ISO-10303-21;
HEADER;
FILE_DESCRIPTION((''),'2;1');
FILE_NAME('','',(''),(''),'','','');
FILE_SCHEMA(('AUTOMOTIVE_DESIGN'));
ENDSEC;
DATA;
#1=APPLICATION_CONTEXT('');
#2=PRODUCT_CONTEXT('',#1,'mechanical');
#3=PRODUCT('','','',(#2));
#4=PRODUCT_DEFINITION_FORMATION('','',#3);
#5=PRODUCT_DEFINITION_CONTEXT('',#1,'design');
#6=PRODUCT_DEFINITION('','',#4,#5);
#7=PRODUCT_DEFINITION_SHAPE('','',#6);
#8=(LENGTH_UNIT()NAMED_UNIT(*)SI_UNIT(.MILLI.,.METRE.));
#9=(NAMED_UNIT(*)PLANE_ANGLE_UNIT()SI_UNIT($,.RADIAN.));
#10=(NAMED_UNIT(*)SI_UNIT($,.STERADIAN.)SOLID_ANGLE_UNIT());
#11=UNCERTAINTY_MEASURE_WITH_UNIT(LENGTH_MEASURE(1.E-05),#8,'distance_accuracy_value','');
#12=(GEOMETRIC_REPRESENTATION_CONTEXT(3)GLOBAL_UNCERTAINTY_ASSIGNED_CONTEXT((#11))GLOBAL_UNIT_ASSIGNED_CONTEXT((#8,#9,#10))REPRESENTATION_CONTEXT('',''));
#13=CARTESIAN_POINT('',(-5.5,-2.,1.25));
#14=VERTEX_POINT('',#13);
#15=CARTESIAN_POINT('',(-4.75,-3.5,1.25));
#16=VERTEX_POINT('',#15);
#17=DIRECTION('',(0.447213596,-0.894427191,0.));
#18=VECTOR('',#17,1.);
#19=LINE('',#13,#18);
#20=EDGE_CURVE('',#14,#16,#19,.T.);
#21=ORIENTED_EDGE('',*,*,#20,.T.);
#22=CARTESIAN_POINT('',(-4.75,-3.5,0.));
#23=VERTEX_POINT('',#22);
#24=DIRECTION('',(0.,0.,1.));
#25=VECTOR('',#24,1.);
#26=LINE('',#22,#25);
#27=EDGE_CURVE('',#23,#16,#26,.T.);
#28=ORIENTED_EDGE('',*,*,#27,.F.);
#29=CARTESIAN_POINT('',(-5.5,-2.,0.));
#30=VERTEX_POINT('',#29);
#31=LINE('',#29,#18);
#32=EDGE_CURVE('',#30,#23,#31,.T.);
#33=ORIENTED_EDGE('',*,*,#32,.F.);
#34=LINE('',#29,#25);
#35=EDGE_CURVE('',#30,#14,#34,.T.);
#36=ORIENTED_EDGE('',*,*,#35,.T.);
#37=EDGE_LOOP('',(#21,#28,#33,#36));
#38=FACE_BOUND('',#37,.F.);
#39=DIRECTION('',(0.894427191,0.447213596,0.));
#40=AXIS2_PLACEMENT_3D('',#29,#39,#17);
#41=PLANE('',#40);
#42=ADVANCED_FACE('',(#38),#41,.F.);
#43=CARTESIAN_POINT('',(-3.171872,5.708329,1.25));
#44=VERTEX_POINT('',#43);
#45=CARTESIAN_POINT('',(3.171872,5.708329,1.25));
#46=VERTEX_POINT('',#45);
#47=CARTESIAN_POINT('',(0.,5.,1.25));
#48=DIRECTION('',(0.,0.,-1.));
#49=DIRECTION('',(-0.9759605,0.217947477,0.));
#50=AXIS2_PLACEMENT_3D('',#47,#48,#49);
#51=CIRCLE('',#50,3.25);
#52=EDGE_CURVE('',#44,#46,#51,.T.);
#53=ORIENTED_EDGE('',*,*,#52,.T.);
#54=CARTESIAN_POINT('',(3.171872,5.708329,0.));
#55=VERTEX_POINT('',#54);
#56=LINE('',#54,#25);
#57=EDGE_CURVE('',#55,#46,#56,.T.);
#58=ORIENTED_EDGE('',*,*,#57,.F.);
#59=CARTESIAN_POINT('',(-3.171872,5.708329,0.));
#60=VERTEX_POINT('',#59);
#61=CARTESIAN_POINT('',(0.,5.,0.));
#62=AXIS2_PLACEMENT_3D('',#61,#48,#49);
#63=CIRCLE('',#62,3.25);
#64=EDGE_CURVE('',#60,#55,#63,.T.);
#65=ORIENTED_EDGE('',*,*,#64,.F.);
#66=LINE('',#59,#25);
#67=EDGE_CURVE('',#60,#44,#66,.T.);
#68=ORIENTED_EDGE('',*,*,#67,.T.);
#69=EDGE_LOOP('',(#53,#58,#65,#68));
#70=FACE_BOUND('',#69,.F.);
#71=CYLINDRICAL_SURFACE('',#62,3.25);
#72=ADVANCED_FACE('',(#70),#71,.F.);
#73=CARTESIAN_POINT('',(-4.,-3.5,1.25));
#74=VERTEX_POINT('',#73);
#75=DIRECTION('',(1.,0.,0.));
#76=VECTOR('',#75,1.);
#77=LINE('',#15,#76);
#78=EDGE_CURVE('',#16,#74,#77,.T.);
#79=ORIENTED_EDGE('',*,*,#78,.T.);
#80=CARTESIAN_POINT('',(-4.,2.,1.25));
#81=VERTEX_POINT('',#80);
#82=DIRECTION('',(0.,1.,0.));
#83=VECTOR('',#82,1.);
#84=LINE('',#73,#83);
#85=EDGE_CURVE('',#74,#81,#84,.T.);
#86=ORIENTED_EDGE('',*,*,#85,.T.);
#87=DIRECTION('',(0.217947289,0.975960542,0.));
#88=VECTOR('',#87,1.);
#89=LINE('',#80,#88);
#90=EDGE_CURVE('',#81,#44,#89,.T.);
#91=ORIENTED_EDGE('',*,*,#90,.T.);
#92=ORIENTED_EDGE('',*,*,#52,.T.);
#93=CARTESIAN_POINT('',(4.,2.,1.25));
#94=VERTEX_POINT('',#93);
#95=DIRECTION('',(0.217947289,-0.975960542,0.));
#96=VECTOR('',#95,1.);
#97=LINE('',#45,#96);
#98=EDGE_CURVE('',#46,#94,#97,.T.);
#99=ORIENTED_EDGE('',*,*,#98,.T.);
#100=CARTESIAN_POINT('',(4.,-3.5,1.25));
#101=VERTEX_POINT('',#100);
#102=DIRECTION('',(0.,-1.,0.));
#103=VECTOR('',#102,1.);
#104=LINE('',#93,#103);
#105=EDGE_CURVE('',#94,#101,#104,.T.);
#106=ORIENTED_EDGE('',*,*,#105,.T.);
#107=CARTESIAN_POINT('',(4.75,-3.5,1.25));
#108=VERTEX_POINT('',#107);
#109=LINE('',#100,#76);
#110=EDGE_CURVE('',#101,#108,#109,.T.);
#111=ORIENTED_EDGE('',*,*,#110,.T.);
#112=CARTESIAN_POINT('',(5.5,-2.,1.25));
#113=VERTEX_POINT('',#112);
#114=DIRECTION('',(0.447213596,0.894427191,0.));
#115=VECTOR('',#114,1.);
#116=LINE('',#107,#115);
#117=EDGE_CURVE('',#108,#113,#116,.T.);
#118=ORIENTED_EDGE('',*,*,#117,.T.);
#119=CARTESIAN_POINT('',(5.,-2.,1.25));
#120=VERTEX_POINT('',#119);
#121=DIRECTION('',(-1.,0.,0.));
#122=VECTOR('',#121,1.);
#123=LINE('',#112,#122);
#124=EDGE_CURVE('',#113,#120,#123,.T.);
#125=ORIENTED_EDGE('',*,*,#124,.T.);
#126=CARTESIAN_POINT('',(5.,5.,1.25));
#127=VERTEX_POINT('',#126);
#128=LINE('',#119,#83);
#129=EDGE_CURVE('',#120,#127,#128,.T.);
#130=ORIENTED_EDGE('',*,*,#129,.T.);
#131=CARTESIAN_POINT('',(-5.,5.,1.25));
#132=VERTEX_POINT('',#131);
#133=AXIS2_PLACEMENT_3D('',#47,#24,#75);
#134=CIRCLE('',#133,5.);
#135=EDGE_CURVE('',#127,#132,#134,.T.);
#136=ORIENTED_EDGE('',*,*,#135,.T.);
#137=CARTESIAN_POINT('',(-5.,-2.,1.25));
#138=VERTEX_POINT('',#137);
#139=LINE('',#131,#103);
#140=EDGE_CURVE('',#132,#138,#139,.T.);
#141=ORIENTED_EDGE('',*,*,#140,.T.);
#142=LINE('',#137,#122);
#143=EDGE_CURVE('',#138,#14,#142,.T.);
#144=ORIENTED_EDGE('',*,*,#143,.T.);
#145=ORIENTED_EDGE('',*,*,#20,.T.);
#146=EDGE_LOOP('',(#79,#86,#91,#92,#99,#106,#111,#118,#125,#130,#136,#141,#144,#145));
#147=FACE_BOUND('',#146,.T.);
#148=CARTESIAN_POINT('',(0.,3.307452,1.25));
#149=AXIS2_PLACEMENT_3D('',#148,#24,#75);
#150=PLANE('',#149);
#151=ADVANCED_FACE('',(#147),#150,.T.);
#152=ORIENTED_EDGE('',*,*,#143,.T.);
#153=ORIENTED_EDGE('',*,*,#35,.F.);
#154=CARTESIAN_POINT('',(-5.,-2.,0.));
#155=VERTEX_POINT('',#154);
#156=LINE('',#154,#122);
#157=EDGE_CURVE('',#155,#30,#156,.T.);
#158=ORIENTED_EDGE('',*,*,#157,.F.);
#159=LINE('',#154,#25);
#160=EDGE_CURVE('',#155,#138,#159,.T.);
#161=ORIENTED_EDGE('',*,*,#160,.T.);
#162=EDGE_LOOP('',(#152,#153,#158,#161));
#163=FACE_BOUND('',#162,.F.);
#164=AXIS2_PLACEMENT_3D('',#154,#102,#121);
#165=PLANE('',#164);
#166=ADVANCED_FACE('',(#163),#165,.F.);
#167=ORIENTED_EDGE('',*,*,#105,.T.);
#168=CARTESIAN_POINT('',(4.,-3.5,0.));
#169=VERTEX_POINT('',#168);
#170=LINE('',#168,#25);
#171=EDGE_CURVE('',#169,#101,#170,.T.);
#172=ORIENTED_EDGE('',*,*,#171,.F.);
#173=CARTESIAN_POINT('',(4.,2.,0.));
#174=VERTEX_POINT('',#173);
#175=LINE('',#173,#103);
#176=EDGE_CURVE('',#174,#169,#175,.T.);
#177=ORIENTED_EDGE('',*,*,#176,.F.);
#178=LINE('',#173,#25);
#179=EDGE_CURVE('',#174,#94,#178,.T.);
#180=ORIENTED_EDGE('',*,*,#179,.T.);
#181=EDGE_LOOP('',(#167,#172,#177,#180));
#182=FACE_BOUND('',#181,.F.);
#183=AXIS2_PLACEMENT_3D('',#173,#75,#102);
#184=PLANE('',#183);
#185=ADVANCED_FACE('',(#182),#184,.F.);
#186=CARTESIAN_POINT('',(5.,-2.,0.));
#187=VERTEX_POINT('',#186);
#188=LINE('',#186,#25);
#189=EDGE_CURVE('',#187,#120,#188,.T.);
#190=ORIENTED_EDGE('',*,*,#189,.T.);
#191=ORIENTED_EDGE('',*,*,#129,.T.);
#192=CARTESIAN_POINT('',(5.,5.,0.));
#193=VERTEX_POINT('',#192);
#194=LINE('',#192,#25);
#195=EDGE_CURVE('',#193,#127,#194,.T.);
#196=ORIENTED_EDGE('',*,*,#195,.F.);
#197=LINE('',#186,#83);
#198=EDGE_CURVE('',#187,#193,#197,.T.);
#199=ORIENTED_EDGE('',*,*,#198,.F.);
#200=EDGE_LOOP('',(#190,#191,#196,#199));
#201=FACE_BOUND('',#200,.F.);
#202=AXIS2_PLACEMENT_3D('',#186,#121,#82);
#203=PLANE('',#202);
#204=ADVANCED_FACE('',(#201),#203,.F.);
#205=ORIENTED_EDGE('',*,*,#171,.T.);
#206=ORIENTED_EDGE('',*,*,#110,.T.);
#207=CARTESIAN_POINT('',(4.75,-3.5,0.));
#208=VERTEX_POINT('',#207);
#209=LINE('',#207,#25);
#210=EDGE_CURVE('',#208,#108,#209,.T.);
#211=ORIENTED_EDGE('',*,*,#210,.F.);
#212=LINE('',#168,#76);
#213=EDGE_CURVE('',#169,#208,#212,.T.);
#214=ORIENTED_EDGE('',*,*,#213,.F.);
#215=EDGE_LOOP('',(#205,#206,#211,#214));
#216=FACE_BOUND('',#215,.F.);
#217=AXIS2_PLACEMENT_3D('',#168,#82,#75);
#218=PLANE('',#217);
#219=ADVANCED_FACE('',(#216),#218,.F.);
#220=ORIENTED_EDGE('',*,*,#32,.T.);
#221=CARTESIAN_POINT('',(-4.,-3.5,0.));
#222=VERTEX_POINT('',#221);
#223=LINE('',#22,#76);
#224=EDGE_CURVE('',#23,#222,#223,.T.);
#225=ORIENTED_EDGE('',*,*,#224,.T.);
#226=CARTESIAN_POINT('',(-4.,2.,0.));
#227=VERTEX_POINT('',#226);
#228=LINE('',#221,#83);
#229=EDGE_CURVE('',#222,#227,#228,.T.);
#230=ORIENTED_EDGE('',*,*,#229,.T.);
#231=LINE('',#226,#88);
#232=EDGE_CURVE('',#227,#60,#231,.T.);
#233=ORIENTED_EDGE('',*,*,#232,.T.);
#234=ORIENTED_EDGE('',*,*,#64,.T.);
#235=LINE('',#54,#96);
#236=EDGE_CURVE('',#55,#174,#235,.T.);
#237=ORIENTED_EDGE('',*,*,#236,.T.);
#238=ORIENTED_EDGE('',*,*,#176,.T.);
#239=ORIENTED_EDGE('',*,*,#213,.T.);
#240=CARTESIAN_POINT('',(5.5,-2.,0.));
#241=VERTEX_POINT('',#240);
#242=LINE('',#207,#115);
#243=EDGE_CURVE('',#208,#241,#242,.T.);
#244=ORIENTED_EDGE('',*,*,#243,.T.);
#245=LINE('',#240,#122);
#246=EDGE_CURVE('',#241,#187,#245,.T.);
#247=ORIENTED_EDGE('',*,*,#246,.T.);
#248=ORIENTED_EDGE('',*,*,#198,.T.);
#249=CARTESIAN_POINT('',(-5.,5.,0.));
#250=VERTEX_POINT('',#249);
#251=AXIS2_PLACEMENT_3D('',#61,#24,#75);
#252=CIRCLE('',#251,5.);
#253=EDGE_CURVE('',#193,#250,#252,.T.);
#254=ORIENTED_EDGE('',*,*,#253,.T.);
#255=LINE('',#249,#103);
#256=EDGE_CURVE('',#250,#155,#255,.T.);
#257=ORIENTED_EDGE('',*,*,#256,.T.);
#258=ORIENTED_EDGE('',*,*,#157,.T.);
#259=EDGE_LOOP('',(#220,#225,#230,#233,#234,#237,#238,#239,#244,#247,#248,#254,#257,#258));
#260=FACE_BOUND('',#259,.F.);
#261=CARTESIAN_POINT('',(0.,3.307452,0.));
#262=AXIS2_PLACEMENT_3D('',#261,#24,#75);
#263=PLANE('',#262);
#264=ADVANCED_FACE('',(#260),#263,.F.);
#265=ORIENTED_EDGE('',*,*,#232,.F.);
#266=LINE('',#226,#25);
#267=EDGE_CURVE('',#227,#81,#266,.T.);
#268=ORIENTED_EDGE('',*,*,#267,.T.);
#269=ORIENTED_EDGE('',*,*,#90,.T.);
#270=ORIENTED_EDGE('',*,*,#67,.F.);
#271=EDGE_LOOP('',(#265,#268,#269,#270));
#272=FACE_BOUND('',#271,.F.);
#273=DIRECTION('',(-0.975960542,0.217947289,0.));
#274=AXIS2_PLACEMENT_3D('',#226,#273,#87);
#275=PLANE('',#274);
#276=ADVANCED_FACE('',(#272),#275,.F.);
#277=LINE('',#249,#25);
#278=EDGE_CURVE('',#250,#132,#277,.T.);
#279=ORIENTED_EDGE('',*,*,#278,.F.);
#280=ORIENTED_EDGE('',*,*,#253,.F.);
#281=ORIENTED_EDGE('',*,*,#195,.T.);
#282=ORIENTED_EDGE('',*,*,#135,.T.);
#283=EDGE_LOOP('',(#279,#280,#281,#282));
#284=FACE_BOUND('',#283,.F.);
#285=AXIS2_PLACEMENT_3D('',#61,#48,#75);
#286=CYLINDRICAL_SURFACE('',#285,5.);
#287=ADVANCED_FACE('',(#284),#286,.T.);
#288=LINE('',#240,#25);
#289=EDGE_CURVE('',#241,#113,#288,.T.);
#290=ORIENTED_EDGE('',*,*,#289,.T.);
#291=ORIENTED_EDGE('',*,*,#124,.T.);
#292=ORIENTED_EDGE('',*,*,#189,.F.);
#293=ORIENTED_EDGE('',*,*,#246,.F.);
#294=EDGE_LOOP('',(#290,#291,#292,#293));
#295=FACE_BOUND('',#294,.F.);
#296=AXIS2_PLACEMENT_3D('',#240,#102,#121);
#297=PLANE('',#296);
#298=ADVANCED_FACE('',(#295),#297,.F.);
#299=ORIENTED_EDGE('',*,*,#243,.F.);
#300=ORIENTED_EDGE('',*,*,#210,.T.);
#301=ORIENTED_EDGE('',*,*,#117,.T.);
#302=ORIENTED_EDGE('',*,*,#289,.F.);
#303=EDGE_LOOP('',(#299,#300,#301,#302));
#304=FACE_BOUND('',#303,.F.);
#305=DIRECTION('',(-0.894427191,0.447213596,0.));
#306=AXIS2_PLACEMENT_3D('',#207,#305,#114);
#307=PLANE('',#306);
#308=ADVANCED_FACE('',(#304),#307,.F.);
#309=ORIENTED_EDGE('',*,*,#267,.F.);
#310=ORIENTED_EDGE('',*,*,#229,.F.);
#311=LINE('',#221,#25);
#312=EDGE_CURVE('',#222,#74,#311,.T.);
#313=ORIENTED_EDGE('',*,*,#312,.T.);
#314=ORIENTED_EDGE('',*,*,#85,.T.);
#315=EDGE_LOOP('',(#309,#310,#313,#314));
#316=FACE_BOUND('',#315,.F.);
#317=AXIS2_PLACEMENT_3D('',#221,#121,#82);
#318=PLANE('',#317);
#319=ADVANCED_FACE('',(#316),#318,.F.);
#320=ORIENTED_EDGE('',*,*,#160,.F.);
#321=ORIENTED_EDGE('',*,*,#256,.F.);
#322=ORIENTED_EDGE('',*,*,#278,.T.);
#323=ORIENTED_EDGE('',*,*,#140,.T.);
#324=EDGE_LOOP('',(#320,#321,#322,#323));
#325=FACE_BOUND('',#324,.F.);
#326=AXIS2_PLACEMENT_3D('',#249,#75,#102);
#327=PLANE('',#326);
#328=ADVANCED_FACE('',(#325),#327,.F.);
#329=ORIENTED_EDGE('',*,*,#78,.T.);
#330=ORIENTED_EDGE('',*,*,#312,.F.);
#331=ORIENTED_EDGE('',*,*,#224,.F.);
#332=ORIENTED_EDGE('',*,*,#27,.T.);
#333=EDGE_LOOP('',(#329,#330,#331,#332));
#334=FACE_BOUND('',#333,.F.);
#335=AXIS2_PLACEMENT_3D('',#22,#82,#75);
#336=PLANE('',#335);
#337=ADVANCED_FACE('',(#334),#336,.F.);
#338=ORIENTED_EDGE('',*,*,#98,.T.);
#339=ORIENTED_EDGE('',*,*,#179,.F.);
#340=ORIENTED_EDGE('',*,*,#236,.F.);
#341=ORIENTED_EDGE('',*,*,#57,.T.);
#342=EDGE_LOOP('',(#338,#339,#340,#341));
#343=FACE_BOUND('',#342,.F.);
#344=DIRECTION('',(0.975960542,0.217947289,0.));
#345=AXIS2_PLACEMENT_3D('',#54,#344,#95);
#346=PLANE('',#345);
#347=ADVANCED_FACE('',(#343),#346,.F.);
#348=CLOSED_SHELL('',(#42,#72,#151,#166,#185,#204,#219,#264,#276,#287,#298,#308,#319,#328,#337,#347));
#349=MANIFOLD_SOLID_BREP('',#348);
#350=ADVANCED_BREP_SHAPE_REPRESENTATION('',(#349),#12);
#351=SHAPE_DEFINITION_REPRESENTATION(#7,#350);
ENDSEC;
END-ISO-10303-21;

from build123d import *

# Parameters (mm, degrees)
F1_DEPTH = 1.25


with BuildPart() as f1:
    # F0 (on Top) → F1 (new body)
    with BuildSketch(Plane.XY):
        with BuildLine():
            Line((5, -2), (5, 5))
            ThreePointArc((5, 5), (0, 10), (-5, 5))
            Line((-5, 5), (-5, -2))
            Line((-5, -2), (-5.5, -2))
            Line((-5.5, -2), (-4.75, -3.5))
            Line((-4.75, -3.5), (-4, -3.5))
            Line((-4, -3.5), (-4, 2))
            Line((-4, 2), (-3.171872, 5.708329))
            ThreePointArc((-3.171872, 5.708329), (0, 8.25), (3.171872, 5.708329))
            Line((3.171872, 5.708329), (4, 2))
            Line((4, 2), (4, -3.5))
            Line((4, -3.5), (4.75, -3.5))
            Line((4.75, -3.5), (5.5, -2))
            Line((5.5, -2), (5, -2))
        make_face()
    extrude(amount=F1_DEPTH)


solid = f1.part
